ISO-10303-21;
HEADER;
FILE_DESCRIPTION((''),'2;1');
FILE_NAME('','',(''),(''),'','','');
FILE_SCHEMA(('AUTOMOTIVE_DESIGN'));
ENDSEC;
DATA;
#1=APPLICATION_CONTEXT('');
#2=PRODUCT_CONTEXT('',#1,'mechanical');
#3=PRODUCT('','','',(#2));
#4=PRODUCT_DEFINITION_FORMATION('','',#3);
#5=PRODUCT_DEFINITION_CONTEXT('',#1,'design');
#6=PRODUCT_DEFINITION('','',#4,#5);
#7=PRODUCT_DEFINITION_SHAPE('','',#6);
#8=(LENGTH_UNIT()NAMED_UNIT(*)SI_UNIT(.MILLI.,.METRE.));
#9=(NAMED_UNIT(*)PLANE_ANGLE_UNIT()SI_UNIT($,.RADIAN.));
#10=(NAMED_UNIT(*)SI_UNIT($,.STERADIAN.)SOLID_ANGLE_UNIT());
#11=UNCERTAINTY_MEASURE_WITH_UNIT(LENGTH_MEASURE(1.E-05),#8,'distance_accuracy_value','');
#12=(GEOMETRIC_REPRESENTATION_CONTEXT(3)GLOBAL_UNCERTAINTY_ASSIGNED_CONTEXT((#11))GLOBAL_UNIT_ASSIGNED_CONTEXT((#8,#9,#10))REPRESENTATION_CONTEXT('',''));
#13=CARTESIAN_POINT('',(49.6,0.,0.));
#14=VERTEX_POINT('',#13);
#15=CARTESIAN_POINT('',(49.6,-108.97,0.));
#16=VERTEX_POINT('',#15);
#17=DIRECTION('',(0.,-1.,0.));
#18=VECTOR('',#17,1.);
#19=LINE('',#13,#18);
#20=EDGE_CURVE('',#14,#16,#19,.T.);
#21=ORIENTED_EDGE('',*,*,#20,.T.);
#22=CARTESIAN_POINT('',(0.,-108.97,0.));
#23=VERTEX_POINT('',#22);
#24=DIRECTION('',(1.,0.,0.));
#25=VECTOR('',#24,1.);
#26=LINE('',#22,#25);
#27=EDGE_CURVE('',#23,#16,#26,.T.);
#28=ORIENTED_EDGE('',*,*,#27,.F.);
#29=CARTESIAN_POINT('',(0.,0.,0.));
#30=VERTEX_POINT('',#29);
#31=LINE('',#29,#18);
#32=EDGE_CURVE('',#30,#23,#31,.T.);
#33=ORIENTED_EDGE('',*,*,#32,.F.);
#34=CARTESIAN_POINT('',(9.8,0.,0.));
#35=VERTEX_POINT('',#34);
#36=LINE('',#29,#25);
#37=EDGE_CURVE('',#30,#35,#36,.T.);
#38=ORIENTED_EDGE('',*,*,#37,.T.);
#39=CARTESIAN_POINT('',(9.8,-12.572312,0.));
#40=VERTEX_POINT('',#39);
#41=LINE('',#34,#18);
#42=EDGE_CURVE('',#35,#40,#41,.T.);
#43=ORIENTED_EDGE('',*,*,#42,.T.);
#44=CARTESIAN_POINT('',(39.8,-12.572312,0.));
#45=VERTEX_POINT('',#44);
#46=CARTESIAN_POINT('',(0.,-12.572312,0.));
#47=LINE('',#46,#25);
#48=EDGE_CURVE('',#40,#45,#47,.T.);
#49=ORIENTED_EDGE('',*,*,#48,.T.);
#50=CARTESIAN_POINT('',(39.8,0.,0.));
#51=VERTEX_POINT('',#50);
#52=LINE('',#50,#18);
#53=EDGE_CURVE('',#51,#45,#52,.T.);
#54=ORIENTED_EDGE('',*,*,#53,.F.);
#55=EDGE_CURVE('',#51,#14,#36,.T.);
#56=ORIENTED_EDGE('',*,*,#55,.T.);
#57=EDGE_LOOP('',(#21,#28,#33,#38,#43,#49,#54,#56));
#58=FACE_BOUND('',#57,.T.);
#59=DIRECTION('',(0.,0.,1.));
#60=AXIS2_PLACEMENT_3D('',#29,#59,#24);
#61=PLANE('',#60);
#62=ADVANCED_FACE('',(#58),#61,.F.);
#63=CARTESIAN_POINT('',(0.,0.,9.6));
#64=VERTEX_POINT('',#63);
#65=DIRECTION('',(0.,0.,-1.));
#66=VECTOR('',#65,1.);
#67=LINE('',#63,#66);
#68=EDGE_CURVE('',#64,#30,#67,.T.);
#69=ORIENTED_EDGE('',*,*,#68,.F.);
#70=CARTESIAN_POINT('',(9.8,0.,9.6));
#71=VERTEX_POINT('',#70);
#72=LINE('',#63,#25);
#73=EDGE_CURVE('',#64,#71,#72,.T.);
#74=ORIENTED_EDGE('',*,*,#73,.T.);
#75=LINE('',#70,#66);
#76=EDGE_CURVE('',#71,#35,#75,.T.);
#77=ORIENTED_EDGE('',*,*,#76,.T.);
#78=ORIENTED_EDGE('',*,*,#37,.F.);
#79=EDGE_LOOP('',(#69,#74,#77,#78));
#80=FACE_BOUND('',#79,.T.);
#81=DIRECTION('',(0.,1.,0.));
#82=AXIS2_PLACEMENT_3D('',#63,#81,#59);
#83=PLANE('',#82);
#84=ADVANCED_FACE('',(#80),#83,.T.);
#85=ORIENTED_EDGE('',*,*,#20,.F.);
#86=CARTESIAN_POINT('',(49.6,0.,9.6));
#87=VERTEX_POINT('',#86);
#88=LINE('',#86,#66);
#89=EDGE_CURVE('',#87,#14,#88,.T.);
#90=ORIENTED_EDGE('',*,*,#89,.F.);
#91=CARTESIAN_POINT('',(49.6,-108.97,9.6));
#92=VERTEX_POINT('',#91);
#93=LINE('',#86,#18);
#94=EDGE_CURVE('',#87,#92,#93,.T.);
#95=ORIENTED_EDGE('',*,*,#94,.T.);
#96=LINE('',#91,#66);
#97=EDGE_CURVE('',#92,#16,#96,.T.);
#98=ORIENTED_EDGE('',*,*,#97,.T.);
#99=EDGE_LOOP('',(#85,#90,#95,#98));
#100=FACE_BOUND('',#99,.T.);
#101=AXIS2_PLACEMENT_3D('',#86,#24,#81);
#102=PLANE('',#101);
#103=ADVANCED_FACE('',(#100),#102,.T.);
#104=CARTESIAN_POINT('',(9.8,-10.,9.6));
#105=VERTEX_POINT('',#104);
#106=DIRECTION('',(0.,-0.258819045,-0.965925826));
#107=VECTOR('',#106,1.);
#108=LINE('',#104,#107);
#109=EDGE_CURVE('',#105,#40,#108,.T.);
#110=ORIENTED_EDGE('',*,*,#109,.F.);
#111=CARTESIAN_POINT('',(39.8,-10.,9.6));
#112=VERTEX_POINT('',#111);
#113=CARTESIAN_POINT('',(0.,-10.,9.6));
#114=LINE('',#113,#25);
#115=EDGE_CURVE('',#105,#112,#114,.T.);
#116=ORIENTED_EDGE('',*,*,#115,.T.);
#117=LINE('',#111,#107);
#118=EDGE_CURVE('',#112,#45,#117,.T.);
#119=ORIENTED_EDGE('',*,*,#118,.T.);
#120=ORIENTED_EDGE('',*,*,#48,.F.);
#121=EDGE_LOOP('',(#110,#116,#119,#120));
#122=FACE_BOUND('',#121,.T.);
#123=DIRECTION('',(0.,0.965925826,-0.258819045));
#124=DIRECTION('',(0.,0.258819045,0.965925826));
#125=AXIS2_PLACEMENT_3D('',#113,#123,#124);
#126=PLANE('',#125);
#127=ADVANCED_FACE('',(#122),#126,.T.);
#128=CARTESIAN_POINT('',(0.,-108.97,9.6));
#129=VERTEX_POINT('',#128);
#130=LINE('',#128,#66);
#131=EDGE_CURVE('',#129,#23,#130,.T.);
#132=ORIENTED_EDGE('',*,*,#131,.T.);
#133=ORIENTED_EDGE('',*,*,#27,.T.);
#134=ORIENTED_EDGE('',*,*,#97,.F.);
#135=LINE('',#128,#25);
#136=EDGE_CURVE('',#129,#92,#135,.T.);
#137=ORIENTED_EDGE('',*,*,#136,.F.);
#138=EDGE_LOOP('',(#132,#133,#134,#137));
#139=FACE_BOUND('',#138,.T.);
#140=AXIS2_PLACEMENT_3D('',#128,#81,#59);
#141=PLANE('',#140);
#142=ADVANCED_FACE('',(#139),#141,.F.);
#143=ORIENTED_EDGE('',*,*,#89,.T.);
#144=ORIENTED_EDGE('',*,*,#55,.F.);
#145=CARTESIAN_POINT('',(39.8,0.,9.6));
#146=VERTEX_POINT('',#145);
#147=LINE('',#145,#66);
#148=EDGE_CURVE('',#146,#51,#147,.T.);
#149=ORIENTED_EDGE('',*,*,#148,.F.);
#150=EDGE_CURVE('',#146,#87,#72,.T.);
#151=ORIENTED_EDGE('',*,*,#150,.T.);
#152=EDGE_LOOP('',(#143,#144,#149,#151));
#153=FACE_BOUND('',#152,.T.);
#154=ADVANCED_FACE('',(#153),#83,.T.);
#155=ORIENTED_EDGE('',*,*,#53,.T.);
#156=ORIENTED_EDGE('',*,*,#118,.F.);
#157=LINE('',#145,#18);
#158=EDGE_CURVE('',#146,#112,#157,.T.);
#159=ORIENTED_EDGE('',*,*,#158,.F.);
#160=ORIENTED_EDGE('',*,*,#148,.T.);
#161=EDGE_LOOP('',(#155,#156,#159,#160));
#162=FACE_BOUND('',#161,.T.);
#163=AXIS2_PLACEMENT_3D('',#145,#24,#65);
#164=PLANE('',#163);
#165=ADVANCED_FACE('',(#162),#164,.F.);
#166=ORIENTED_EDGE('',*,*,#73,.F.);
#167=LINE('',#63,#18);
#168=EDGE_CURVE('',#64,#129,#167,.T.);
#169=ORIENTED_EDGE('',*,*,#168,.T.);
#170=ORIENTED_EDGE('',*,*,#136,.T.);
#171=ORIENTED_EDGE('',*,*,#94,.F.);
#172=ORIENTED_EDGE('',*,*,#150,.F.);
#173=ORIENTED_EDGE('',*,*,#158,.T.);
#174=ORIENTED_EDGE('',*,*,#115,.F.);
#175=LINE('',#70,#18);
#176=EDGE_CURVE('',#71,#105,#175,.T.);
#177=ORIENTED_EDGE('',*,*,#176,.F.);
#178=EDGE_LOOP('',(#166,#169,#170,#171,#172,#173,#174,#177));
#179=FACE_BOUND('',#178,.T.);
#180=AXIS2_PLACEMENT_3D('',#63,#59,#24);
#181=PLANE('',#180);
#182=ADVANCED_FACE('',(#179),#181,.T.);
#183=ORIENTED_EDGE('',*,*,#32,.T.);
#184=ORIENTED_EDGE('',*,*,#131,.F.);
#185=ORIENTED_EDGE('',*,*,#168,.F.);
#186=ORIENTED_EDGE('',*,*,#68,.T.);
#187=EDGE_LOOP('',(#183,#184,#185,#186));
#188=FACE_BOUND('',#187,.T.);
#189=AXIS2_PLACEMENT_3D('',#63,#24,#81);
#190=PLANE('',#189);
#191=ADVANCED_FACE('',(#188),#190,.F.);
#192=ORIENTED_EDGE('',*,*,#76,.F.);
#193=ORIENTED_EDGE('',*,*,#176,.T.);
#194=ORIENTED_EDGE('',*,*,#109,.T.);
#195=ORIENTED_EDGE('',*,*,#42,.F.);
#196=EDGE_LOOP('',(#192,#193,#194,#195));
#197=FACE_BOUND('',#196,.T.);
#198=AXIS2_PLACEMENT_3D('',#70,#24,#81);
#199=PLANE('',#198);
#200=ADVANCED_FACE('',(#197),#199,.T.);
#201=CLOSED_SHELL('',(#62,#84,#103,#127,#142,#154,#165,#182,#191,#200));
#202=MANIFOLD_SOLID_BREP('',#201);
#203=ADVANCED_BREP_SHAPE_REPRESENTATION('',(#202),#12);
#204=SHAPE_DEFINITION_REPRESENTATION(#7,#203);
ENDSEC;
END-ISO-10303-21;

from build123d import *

# Parameters (mm, degrees)
EXTRUDE_1_DEPTH = 9.6
DRAFT_5_ANGLE   = -15


with BuildPart() as part:
    # 草图1 → 凸台-拉伸1 (new body)
    with BuildSketch(Plane.XY):
        Polygon((9.8, 0), (0, 0), (0, -108.97), (49.6, -108.97), (49.6, 0), (39.8, 0), (39.8, -10), (9.8, -10), align=None)
    extrude(amount=EXTRUDE_1_DEPTH)

    # 拔模5
    draft_5_faces = [part.faces().sort_by_distance(p)[0] for p in [
        (24.8, -10, 4.8),
    ]]
    draft(draft_5_faces, Plane.XY.offset(9.6), DRAFT_5_ANGLE)


solid = part.part
